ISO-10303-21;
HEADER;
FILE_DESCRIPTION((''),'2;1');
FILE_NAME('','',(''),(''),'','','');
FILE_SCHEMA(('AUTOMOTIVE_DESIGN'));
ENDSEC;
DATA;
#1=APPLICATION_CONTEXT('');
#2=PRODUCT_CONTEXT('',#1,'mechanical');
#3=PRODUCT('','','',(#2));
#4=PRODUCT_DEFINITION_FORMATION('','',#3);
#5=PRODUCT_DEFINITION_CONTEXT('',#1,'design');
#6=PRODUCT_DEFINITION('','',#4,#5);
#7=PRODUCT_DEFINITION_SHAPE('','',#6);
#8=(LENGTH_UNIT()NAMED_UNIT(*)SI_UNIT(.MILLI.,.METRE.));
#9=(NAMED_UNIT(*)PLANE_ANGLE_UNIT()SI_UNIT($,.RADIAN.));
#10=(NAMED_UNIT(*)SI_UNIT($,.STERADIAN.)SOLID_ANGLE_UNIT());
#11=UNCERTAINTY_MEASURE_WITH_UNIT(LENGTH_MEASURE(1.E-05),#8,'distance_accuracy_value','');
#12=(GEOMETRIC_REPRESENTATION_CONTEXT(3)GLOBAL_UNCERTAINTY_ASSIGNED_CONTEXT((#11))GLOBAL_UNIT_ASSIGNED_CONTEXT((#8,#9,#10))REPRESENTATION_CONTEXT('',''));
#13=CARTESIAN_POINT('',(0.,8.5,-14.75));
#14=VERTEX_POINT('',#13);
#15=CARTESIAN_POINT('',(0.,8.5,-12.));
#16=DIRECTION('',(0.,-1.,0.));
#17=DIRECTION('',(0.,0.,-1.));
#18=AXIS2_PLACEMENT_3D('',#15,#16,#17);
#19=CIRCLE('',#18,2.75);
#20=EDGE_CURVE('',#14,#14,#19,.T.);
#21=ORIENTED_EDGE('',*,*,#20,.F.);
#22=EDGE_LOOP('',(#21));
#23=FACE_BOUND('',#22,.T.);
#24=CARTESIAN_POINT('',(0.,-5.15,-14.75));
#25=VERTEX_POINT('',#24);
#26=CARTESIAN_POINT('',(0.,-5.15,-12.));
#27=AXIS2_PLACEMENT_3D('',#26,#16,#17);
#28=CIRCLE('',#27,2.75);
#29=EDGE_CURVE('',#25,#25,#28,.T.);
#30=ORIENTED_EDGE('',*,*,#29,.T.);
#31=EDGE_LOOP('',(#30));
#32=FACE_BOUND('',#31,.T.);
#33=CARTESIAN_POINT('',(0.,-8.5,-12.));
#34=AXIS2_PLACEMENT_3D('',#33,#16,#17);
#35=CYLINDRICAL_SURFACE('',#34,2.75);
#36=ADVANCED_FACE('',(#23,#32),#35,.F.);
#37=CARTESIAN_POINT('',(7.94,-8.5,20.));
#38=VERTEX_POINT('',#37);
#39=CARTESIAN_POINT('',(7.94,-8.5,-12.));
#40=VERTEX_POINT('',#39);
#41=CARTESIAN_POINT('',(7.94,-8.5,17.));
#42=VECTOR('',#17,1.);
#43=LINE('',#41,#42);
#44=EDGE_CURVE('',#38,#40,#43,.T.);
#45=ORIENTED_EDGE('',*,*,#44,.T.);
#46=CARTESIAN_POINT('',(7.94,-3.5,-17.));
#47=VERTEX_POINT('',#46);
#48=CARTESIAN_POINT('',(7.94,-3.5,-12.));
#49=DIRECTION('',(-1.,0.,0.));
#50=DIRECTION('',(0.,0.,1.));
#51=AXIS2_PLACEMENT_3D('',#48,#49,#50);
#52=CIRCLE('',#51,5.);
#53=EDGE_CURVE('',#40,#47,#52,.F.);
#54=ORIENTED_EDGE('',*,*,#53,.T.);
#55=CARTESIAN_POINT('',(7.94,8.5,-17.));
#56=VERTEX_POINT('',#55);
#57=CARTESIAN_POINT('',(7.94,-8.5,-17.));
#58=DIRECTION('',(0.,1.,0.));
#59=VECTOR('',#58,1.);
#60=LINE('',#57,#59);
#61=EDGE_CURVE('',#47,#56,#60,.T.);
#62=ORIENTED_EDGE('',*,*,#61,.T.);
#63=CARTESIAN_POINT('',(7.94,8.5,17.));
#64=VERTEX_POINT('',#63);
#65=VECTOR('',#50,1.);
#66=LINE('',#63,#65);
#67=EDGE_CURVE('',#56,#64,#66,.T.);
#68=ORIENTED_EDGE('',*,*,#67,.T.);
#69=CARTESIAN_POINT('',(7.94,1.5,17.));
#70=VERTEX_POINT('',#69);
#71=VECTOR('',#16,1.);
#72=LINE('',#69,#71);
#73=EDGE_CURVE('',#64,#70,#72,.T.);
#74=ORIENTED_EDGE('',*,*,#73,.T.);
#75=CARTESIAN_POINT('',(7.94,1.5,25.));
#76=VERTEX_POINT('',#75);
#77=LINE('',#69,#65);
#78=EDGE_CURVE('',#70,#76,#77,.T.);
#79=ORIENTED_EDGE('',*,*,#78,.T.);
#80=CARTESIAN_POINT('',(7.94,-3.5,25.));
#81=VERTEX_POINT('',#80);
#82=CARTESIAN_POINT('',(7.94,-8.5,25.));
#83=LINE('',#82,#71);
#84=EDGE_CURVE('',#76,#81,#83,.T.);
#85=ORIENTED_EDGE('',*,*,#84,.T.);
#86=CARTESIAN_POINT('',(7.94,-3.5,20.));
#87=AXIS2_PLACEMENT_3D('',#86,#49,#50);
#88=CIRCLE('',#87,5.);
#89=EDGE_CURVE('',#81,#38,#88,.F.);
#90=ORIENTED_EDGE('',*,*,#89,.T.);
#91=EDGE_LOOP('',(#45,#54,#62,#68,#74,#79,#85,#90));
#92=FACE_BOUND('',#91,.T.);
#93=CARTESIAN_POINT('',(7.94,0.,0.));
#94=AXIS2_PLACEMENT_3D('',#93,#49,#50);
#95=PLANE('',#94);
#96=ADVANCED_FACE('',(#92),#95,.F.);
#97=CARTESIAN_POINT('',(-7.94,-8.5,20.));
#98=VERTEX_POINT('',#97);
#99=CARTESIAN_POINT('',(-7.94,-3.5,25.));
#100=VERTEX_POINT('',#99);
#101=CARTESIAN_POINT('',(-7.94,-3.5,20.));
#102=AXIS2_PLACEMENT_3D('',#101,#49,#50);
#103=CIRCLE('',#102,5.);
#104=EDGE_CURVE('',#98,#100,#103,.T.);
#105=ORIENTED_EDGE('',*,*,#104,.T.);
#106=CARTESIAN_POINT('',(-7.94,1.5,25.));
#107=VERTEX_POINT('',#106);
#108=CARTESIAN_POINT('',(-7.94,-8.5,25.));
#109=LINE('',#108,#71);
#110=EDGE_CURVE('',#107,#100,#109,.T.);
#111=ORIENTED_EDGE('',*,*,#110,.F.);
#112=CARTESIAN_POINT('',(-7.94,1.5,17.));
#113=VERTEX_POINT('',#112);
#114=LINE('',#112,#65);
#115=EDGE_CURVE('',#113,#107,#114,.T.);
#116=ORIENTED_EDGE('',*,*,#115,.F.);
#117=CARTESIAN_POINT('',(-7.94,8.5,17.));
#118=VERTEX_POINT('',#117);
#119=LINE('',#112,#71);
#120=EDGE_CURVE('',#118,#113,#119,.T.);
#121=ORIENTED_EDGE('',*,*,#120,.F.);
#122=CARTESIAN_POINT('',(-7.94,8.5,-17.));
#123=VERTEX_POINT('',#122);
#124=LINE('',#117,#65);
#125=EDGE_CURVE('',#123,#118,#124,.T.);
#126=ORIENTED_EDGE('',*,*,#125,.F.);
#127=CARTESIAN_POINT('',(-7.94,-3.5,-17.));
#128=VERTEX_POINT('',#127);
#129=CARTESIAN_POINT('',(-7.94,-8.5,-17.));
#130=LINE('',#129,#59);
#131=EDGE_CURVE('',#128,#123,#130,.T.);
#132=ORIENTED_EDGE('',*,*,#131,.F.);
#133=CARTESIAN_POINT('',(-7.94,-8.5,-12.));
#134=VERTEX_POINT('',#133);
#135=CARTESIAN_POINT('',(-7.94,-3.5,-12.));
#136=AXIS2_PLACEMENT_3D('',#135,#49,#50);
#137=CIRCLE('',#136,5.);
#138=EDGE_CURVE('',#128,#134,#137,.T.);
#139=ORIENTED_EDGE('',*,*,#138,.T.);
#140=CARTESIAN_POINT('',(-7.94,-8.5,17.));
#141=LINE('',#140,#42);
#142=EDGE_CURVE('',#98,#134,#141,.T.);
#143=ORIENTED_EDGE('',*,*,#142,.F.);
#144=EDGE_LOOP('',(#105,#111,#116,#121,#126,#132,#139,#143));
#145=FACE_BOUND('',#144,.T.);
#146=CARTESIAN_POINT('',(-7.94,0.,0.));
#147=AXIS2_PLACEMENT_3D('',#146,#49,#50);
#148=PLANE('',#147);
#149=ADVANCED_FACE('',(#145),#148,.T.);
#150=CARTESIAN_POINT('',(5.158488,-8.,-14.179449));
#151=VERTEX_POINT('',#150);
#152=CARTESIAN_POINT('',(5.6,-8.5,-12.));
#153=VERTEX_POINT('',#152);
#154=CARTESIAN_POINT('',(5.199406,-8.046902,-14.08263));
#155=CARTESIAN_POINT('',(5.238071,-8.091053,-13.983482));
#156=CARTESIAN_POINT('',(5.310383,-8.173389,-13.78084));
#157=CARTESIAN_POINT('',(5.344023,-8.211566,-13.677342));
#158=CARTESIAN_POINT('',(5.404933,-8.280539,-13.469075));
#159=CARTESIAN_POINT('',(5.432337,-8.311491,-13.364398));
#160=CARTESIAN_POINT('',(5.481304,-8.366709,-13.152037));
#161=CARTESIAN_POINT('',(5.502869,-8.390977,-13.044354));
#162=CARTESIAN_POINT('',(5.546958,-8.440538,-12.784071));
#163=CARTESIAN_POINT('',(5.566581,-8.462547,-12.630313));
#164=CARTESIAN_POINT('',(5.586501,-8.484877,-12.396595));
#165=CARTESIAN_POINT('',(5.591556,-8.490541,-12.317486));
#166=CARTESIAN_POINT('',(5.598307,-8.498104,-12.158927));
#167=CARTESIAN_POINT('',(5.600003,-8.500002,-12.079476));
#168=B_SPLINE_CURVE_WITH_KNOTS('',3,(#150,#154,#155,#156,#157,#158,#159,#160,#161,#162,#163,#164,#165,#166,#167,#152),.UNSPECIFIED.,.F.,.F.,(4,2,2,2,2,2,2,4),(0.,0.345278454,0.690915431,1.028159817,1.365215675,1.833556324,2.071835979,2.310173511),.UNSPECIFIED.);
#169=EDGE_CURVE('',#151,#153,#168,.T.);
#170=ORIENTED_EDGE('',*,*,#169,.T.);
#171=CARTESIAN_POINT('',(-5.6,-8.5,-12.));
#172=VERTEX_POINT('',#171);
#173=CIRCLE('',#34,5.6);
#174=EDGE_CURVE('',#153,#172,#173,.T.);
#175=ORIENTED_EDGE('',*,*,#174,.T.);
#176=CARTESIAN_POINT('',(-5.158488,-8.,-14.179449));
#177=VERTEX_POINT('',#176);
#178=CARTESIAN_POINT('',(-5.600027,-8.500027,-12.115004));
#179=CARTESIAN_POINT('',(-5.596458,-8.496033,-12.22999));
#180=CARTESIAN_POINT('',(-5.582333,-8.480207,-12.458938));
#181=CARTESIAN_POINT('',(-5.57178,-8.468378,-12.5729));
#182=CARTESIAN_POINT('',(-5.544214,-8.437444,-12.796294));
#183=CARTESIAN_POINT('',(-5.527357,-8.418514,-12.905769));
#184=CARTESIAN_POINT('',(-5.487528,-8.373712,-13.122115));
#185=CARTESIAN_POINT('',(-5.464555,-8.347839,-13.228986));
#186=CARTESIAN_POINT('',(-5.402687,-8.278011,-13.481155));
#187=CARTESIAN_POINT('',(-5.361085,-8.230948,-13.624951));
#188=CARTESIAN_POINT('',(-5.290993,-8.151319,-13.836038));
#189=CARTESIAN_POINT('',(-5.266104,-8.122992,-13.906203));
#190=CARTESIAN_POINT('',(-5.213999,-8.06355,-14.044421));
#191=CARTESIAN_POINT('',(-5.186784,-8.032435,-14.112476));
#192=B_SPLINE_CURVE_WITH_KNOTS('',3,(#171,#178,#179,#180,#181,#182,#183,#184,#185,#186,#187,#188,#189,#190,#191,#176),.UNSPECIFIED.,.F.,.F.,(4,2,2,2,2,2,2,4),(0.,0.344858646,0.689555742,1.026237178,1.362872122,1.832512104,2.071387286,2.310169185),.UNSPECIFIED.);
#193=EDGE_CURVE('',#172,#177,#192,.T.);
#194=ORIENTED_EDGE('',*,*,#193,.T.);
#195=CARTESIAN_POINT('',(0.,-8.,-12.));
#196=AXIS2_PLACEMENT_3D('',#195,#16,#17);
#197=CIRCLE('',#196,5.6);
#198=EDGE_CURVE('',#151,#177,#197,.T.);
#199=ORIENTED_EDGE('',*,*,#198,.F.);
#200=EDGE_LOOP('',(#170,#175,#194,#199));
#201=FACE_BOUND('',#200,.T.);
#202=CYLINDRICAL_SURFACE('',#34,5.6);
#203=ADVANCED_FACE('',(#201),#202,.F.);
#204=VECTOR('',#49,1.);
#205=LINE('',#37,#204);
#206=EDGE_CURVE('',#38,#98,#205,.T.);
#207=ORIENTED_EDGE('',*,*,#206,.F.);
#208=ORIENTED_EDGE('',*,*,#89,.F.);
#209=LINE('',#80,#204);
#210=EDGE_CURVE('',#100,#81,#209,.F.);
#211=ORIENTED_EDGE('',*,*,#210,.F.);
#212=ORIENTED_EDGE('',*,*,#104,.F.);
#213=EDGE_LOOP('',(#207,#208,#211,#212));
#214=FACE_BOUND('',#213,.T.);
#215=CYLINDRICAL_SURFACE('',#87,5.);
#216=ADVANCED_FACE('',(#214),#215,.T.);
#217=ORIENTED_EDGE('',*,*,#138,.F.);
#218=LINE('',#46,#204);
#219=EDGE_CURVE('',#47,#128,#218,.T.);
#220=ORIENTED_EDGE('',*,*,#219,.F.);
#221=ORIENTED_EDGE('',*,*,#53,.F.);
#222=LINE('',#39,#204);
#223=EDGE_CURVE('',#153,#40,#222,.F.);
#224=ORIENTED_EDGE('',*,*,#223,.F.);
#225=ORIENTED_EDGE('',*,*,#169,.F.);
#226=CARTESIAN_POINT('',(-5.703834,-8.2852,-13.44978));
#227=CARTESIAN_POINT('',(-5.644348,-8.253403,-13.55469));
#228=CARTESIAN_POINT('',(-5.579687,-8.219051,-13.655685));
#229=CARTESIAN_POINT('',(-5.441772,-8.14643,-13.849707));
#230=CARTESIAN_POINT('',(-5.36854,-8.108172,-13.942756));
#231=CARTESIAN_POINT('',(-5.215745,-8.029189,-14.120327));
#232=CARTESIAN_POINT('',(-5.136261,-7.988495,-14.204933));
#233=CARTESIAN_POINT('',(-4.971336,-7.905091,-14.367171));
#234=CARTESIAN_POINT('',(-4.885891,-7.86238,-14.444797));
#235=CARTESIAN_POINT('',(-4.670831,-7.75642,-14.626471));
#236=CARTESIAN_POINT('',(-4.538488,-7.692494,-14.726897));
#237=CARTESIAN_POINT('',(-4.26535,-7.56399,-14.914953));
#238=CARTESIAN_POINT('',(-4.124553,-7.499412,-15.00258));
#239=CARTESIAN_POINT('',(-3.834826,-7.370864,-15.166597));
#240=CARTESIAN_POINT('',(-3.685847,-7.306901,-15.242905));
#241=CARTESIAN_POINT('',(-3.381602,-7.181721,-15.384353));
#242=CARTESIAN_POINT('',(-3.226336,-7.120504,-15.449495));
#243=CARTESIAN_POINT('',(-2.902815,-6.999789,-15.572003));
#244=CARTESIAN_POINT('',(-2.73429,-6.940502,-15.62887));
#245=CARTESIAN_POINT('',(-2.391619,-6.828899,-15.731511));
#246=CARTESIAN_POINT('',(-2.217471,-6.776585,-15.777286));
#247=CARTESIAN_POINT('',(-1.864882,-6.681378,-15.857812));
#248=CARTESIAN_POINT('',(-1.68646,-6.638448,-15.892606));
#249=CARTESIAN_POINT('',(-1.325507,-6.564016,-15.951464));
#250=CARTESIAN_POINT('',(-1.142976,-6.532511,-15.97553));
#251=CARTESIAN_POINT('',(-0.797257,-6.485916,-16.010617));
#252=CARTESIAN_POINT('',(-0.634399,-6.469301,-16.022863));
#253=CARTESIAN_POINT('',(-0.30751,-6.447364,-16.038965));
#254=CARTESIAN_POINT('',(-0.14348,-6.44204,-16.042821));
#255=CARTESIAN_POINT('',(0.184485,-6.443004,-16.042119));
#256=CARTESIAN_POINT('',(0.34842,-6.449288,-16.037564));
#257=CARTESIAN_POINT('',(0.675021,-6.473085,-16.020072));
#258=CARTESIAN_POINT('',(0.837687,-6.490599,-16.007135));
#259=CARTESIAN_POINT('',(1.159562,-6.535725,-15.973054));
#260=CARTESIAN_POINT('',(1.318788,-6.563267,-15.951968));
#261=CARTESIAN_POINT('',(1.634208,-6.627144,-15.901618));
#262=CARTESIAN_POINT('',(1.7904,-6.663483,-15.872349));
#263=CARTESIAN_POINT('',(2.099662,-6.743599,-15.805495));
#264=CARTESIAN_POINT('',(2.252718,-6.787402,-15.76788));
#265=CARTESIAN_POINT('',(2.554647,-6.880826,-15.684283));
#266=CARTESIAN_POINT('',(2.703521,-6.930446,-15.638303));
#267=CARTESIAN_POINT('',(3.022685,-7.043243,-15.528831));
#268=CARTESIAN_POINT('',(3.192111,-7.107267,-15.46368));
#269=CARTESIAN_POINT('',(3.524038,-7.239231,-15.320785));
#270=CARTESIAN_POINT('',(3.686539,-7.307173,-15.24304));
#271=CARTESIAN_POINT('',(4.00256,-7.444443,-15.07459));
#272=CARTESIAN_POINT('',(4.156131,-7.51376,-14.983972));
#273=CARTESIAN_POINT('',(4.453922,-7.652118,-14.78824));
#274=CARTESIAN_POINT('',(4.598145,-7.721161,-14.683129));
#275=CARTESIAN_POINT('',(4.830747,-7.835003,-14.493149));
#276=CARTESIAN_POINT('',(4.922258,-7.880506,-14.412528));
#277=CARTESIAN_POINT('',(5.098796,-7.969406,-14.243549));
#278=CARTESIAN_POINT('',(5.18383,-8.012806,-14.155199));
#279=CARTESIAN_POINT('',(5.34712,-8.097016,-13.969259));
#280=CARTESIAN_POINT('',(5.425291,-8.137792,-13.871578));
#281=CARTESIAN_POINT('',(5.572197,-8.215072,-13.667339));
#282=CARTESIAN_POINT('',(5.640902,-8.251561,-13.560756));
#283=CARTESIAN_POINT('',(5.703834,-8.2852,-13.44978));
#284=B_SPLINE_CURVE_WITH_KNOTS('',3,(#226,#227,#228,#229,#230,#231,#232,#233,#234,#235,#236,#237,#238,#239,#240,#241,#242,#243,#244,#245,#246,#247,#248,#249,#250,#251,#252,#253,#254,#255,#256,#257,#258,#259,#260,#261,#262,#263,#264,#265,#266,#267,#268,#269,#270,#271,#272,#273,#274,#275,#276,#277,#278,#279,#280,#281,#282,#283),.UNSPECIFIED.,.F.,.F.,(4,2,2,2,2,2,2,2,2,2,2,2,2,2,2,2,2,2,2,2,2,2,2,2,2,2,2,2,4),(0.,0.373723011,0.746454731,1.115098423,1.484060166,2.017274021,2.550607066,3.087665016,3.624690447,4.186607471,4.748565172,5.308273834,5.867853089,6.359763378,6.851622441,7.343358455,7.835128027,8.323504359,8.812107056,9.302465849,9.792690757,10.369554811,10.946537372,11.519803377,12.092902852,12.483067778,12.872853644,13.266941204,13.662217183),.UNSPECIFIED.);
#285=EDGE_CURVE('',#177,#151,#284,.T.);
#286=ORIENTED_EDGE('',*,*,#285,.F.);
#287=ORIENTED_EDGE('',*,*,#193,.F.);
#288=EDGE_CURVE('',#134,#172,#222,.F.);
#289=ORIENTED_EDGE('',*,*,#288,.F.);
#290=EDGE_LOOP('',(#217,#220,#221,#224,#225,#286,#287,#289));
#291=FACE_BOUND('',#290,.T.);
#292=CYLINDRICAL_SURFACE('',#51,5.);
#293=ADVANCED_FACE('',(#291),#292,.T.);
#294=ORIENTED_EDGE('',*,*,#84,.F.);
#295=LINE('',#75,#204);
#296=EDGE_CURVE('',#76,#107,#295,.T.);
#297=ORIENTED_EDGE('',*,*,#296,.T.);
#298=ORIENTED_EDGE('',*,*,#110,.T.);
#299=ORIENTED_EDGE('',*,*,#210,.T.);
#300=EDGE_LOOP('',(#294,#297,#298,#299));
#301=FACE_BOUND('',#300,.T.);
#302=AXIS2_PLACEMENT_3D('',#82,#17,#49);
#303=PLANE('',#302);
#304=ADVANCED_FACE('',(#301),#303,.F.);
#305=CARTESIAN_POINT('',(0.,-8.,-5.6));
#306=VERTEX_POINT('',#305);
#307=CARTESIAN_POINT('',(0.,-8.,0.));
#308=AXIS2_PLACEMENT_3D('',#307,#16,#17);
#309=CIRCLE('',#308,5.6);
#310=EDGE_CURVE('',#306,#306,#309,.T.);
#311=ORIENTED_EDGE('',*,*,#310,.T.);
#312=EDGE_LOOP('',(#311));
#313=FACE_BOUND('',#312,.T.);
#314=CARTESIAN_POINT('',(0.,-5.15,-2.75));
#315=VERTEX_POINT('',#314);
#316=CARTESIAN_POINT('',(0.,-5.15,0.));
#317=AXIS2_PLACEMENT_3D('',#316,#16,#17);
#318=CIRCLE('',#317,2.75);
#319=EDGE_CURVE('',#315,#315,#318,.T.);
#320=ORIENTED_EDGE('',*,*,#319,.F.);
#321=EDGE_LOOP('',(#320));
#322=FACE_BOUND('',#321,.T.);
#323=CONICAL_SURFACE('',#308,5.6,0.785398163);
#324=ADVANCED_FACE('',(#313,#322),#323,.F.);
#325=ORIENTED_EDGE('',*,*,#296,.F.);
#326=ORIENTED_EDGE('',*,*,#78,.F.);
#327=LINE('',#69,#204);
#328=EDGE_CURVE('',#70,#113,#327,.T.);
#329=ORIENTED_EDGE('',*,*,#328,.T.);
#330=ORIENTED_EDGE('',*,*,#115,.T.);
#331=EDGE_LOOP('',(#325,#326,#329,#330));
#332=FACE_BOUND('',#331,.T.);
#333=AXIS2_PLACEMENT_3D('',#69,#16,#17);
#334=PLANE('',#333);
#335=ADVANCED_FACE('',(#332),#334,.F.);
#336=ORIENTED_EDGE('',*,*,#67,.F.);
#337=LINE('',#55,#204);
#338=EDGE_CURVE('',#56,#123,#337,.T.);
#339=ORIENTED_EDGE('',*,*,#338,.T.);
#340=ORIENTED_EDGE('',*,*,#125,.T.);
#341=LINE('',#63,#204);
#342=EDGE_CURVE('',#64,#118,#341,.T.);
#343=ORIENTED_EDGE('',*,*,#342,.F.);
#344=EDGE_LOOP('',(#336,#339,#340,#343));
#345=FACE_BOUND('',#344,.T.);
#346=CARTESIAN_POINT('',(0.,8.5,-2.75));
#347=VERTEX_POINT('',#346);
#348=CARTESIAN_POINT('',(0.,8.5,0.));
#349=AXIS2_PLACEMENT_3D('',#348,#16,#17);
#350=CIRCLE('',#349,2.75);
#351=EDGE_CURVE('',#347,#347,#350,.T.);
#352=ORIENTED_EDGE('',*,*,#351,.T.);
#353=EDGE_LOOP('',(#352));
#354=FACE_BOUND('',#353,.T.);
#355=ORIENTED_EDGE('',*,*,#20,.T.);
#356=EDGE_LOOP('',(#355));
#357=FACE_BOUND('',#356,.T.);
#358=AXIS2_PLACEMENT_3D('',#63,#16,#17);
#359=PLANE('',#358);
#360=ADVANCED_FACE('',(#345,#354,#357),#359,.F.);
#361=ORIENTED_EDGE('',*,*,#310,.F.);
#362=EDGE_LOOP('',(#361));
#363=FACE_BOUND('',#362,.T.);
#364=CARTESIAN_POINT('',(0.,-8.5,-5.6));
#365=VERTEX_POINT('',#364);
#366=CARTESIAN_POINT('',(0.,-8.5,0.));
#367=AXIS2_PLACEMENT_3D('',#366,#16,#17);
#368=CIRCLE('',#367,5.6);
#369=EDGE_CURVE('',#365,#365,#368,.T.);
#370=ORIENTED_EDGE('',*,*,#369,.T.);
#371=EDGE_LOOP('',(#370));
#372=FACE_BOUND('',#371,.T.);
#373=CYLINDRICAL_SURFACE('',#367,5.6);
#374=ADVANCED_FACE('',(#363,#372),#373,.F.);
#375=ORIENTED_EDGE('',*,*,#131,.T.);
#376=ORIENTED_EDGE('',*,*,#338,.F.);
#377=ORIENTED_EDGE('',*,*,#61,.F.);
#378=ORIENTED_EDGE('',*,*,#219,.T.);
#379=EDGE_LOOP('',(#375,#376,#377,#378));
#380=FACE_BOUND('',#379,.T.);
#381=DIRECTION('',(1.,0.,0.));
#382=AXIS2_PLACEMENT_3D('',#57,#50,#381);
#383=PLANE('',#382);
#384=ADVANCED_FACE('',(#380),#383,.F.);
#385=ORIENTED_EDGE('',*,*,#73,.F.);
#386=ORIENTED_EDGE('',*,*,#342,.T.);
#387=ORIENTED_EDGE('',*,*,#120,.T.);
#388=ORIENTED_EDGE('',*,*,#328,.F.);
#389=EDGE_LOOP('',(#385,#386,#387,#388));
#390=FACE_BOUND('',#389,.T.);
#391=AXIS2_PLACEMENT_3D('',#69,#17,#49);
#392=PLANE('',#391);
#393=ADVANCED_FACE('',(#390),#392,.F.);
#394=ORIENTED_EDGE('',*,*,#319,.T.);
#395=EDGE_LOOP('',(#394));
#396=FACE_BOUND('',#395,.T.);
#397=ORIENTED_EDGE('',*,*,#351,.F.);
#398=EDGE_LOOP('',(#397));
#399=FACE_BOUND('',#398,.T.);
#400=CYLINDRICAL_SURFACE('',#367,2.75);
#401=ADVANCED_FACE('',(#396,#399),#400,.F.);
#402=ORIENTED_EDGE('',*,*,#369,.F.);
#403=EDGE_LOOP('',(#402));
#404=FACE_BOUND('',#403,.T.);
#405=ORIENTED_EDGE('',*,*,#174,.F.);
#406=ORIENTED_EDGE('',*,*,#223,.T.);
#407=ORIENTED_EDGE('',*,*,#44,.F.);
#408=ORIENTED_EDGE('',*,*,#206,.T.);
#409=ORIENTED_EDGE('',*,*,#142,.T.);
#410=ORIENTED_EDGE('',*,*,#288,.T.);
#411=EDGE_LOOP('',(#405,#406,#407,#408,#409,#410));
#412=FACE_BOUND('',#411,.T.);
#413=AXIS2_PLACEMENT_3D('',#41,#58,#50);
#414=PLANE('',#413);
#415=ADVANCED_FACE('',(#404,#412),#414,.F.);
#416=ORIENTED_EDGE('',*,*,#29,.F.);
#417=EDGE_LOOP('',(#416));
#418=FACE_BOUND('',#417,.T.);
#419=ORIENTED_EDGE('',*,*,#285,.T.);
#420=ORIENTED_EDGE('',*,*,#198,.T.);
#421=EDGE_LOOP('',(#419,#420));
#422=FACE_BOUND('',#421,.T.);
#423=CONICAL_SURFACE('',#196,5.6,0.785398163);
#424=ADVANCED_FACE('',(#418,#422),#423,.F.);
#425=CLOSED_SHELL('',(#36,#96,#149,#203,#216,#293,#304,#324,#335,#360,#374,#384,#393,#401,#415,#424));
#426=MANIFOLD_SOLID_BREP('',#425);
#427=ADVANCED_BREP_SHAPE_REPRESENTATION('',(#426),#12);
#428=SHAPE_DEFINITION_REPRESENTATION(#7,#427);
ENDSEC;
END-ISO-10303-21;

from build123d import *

# Parameters (mm, degrees)
RESSALTO_EXTRUS_O1_DEPTH            = 7.94
FILETE1_R                           = 5
ESCAREADO_PARA_SFHCS_M51_AT_2_COUNT = 2
ESCAREADO_PARA_SFHCS_M51_AT_2_PITCH = 12
ESCAREADO_PARA_SFHCS_M51_AT_3_COUNT = 2
ESCAREADO_PARA_SFHCS_M51_AT_3_PITCH = 67.209946437
ESCAREADO_PARA_SFHCS_M51_AT_4_COUNT = 2
ESCAREADO_PARA_SFHCS_M51_AT_4_PITCH = 66.13


with BuildPart() as part:
    # Esboço1 → Ressalto-extrusão1 (new, symmetric)
    with BuildSketch(Plane(origin=(0, 0, 0), x_dir=(0, 0, -1), z_dir=(1, 0, 0))):
        Polygon((-17, -8.5), (17, -8.5), (17, 8.5), (-17, 8.5), (-17, 1.5), (-25, 1.5), (-25, -8.5), align=None)
    extrude(amount=RESSALTO_EXTRUS_O1_DEPTH, both=True)

    # Filete1
    filete1_edges = [part.edges().sort_by_distance(p)[0] for p in [
        (0, -8.5, -17),
        (0, -8.5, 25),
    ]]
    fillet(filete1_edges, radius=FILETE1_R)

    # Esboço3 → Escareado para SFHCS M51 (revolve, cut)
    with BuildSketch(Plane(origin=(0, -8.5, -12), x_dir=(0, 0, -1), z_dir=(1, 0, 0))):
        Polygon((0, 0), (0, 31.652366702), (2.75, 30), (2.75, 3.35), (5.6, 0.5), (5.6, 0), align=None)
    escareado_para_sfhcs_m51 = revolve(axis=Axis((0, -14.85, -12), (0, 1, 0)), mode=Mode.SUBTRACT)

    # Escareado para SFHCS M51 at 2: Escareado para SFHCS M51 ×2
    with Locations(*[(0, 0, i * ESCAREADO_PARA_SFHCS_M51_AT_2_PITCH) for i in range(1, ESCAREADO_PARA_SFHCS_M51_AT_2_COUNT)]):
        add(escareado_para_sfhcs_m51, mode=Mode.SUBTRACT)

    # Escareado para SFHCS M51 at 3: Escareado para SFHCS M51 ×2
    with Locations(*[Vector(-0.9839317468056482, 0, 0.17854500168861018) * (i * ESCAREADO_PARA_SFHCS_M51_AT_3_PITCH) for i in range(1, ESCAREADO_PARA_SFHCS_M51_AT_3_COUNT)]):
        add(escareado_para_sfhcs_m51, mode=Mode.SUBTRACT)

    # Escareado para SFHCS M51 at 4: Escareado para SFHCS M51 ×2
    with Locations(*[(-i * ESCAREADO_PARA_SFHCS_M51_AT_4_PITCH, 0, 0) for i in range(1, ESCAREADO_PARA_SFHCS_M51_AT_4_COUNT)]):
        add(escareado_para_sfhcs_m51, mode=Mode.SUBTRACT)


solid = part.part
